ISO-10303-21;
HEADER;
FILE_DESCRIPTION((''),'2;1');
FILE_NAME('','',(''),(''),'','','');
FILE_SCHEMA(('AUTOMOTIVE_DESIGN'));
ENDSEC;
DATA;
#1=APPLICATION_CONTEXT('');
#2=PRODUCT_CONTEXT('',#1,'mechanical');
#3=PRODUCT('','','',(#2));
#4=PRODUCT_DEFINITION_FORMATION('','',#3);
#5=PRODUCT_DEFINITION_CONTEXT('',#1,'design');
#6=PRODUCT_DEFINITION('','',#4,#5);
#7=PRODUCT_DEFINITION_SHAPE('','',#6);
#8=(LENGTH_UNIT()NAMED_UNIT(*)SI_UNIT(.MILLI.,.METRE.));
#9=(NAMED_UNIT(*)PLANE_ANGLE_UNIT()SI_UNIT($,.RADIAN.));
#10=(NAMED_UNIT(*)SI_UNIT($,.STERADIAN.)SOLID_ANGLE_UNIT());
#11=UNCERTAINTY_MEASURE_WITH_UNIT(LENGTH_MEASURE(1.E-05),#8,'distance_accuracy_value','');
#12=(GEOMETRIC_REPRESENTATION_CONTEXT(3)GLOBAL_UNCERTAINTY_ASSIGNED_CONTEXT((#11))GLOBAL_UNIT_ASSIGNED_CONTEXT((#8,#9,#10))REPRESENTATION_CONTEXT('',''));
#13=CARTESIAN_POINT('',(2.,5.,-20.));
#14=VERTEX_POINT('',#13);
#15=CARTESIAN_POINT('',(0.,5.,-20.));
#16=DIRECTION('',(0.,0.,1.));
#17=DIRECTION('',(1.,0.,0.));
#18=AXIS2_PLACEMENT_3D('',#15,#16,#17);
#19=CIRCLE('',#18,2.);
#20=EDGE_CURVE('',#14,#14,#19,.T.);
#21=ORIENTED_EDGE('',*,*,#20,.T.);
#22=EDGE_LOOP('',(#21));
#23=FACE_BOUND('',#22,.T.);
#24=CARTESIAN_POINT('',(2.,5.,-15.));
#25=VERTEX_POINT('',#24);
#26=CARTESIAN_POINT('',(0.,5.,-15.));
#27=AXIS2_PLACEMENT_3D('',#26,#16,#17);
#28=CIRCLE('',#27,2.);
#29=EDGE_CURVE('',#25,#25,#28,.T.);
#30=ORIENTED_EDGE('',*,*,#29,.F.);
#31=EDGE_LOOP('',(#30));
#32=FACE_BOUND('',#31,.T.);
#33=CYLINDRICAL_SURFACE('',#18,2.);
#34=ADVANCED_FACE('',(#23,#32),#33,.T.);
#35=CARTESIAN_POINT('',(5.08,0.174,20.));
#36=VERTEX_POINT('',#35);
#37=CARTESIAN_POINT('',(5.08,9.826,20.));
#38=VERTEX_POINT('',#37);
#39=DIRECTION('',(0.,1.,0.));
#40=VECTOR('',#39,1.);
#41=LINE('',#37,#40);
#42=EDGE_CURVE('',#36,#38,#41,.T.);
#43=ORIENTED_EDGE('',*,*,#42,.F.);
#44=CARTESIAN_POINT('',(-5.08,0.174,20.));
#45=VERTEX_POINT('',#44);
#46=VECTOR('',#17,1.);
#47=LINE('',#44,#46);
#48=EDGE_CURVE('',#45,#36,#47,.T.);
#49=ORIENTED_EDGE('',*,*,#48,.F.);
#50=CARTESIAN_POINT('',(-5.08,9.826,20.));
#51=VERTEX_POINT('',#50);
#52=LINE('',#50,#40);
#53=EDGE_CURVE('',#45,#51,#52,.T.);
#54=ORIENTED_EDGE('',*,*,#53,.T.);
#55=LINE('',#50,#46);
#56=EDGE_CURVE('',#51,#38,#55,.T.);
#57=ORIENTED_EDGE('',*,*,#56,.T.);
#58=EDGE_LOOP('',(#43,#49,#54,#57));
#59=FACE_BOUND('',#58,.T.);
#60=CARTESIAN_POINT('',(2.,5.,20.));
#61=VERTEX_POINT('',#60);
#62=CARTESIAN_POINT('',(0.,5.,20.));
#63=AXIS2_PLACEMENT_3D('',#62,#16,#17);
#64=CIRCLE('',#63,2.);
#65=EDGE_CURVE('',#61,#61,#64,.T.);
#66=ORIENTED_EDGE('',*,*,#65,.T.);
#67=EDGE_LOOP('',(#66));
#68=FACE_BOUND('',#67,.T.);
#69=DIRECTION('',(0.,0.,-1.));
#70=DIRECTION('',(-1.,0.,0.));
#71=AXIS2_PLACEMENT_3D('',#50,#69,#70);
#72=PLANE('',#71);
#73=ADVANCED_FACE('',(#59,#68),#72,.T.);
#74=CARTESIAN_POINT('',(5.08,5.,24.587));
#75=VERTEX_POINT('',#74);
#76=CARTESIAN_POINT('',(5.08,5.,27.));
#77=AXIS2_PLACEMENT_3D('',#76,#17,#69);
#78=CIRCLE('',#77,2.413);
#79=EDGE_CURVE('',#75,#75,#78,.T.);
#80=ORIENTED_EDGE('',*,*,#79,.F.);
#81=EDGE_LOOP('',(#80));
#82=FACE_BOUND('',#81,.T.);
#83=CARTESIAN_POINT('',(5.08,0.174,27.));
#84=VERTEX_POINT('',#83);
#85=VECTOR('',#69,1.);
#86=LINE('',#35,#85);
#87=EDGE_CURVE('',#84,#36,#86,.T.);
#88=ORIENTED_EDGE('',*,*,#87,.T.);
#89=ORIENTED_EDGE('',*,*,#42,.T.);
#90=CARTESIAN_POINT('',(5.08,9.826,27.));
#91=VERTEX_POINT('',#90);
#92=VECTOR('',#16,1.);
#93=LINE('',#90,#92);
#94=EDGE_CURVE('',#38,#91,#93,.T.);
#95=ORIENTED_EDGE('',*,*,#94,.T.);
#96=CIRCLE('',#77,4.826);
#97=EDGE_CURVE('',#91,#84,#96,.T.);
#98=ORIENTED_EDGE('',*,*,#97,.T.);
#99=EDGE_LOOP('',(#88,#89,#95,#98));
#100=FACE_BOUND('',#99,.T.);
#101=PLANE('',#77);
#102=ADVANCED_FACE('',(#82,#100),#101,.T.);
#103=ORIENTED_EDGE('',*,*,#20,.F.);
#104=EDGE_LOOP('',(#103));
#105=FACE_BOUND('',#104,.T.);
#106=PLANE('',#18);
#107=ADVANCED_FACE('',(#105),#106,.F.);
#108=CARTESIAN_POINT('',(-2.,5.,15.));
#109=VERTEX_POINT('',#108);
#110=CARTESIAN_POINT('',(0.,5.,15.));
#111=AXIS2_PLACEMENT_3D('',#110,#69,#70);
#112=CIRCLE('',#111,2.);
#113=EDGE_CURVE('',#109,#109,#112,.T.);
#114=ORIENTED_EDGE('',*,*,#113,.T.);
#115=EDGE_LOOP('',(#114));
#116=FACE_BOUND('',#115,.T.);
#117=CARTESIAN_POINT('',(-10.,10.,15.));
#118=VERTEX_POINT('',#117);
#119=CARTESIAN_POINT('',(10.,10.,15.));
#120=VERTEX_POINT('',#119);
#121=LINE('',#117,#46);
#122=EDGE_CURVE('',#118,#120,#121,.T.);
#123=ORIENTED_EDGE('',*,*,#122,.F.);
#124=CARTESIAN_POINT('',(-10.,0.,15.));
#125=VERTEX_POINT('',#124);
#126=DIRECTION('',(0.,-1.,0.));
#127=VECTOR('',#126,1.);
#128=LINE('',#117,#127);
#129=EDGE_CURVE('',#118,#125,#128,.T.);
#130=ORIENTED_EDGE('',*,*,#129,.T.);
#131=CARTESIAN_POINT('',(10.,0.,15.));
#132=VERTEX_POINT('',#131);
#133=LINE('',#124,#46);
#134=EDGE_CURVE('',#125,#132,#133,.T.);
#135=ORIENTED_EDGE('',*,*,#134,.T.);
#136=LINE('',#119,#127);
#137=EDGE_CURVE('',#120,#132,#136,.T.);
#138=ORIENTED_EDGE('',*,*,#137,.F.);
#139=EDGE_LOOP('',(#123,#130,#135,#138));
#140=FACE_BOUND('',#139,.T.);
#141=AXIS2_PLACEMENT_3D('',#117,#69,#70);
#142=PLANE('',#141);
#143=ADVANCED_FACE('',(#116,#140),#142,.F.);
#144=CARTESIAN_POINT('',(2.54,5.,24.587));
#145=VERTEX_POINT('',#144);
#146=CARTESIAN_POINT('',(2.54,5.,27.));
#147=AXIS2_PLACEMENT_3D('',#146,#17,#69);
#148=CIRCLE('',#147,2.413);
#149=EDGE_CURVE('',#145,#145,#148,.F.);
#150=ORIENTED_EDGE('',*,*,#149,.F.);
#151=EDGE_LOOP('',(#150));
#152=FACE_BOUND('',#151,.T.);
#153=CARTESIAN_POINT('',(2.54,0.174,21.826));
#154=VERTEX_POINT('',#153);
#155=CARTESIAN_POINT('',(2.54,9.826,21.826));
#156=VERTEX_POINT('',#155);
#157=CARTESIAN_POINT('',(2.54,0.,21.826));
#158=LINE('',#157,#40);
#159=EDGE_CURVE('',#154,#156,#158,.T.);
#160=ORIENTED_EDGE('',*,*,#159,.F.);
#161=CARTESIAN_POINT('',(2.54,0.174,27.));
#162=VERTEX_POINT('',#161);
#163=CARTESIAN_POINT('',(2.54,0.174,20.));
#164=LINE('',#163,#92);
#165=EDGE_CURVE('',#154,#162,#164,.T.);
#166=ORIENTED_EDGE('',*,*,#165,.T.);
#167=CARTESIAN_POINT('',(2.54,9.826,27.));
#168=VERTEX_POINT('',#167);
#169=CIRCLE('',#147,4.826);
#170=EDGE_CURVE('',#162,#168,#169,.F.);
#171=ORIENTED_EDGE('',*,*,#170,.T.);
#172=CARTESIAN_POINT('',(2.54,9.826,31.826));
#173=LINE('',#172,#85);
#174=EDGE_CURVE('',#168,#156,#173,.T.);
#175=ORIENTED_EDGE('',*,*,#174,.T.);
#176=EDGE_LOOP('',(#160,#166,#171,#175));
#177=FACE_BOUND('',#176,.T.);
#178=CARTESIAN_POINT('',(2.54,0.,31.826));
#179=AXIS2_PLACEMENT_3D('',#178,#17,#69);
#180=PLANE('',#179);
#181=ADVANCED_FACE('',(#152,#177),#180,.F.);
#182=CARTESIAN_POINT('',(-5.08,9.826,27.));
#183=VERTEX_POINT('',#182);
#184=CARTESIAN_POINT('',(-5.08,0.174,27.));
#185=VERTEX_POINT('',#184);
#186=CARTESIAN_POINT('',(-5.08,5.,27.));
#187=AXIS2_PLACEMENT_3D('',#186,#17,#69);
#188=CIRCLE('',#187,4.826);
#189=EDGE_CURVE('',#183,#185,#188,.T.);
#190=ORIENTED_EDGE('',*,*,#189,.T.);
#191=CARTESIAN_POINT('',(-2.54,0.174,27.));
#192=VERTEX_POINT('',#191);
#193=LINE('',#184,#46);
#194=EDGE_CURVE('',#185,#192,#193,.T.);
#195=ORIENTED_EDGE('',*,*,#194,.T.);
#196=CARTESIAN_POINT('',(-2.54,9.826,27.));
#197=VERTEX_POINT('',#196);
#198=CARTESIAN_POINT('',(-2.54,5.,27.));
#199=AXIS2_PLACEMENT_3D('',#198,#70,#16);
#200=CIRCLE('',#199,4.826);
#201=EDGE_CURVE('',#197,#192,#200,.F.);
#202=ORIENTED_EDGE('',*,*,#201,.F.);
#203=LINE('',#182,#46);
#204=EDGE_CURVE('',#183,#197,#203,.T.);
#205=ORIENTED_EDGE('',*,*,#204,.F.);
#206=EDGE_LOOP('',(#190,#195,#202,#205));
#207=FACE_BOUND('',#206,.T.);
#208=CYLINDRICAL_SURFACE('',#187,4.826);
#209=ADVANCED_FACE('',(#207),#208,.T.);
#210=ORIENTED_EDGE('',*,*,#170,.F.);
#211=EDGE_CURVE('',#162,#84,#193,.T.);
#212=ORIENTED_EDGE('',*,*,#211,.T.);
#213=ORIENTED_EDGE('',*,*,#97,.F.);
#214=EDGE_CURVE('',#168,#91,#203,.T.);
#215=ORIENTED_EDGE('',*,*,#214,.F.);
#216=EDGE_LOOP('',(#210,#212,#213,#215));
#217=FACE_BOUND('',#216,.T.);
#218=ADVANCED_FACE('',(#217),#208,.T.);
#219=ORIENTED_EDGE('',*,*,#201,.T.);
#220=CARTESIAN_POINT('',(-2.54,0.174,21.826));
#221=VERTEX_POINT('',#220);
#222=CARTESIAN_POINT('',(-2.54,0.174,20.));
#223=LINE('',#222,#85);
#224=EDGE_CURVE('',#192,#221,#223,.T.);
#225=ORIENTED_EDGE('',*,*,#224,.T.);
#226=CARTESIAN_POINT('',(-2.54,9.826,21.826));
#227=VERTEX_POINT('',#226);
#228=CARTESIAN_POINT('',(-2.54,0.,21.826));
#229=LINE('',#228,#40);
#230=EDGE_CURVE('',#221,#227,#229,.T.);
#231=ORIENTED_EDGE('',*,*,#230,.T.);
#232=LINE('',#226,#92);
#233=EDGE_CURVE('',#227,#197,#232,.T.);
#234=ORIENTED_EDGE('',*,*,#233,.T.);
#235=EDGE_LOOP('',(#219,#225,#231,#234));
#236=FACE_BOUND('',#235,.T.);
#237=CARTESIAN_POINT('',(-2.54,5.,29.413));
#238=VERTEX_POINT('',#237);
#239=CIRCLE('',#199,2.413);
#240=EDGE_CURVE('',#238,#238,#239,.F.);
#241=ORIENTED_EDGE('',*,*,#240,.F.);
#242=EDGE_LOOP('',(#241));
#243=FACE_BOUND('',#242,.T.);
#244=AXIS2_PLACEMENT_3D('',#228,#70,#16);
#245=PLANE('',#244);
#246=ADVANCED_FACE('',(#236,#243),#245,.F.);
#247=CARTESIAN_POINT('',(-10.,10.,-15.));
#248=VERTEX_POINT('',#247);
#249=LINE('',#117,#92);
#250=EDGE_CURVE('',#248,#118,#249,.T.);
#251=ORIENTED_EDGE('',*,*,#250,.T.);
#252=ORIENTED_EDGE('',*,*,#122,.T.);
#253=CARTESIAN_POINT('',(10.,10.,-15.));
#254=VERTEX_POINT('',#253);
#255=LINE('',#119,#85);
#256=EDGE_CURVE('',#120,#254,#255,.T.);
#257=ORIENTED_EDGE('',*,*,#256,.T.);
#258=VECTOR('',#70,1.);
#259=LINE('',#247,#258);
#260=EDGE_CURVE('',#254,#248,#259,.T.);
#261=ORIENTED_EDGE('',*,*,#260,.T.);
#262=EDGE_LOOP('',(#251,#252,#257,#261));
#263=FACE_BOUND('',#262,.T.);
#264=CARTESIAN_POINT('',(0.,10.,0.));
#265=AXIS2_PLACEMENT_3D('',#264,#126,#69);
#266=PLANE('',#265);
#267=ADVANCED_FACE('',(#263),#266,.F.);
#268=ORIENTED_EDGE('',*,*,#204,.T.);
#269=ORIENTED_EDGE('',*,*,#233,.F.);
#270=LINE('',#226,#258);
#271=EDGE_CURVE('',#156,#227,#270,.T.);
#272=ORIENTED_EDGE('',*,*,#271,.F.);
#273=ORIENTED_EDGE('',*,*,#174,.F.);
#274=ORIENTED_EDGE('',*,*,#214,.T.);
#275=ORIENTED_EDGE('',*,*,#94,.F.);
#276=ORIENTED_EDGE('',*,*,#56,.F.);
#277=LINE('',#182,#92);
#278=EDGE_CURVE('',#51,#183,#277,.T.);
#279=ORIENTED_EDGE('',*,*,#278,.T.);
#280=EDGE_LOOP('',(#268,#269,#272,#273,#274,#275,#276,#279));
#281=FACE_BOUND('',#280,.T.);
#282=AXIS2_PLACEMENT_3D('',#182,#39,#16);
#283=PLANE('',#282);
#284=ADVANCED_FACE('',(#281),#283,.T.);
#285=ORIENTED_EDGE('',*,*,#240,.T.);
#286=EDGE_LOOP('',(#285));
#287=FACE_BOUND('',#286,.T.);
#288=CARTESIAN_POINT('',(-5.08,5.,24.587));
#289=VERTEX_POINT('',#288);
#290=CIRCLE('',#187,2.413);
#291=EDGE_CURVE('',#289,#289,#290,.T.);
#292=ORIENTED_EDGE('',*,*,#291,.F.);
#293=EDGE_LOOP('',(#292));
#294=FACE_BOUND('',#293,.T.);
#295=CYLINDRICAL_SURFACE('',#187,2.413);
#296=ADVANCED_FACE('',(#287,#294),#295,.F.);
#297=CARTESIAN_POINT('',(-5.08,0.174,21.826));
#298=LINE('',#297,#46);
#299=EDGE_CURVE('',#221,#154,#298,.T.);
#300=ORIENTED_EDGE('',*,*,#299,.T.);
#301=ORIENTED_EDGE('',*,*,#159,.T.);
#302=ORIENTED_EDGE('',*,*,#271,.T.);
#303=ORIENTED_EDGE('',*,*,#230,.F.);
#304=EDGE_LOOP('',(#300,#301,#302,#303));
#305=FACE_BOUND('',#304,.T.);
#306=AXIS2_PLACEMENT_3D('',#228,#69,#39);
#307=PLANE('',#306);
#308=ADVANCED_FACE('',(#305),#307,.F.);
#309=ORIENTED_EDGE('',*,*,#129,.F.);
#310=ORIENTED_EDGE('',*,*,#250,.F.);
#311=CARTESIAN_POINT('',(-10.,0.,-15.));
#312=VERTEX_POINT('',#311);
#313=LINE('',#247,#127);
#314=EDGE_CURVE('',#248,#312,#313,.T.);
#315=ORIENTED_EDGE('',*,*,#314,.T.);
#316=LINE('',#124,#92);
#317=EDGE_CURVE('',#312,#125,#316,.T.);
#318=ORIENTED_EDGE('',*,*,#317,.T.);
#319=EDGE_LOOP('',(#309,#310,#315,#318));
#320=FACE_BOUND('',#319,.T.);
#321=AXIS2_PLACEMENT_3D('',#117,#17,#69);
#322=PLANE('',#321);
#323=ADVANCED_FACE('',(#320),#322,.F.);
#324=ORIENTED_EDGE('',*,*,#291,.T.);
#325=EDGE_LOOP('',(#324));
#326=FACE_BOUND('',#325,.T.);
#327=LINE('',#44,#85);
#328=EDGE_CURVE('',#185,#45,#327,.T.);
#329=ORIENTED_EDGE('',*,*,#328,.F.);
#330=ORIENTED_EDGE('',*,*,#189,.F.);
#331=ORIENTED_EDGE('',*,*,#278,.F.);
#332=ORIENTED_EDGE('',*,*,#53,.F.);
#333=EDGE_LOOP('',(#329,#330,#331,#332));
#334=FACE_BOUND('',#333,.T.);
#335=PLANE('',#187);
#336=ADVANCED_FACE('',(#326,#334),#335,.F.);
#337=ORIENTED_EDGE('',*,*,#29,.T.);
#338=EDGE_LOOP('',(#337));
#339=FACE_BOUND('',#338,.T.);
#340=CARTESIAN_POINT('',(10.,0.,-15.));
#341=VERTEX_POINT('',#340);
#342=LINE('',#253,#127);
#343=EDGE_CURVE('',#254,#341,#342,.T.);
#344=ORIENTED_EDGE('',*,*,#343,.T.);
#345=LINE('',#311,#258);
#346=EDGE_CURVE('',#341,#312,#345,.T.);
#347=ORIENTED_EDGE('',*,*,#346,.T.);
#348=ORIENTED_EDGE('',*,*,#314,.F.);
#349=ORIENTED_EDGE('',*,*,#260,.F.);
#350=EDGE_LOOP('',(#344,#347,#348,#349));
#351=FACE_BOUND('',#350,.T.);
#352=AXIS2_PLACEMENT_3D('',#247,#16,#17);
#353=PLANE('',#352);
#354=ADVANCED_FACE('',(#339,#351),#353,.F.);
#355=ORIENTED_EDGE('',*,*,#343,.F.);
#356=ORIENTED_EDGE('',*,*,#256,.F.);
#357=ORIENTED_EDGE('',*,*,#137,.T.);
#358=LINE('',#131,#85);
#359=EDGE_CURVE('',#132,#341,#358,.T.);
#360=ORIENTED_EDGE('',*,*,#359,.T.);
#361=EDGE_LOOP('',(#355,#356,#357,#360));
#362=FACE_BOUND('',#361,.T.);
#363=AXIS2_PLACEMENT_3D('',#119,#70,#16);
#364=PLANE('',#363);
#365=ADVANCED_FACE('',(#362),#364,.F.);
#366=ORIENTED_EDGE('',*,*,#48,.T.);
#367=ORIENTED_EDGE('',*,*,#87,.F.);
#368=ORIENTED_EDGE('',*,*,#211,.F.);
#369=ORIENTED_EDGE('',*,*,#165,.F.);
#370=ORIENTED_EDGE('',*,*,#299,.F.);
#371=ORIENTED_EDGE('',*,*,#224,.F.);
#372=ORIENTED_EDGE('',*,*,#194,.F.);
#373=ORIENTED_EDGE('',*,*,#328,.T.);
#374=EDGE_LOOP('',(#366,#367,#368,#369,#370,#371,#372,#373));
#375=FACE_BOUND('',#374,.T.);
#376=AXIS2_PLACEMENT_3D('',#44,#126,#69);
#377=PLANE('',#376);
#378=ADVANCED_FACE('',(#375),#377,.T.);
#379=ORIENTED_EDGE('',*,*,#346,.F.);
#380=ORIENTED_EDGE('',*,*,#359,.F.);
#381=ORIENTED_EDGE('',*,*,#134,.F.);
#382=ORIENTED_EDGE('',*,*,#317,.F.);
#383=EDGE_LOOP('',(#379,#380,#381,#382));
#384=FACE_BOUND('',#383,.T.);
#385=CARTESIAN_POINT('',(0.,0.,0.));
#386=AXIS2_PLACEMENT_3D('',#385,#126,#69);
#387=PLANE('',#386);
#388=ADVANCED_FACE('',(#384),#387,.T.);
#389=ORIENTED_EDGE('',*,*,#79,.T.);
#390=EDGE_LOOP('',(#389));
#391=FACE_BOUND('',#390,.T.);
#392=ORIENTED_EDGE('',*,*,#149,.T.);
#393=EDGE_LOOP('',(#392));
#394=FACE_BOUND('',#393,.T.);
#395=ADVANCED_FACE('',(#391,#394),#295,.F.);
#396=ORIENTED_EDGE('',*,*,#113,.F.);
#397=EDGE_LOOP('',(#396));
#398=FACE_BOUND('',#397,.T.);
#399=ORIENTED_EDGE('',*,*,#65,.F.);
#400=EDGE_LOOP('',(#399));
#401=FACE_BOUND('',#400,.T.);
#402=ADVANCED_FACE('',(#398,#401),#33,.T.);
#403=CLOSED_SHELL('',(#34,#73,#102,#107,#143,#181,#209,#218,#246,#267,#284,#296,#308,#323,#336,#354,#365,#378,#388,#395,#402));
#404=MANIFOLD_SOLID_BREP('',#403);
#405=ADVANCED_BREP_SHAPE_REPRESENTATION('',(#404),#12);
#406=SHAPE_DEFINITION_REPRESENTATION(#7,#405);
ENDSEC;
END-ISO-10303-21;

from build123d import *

# Parameters (mm, degrees)
SKETCH1_W                = 20
SKETCH1_H                = 30
BOSS_EXTRUDE1_DEPTH      = 10
BOSS_EXTRUDE2_DEPTH      = 20
BOSS_EXTRUDE2_DEPTH_BACK = 20
SKETCH2_R                = 2
BOSS_EXTRUDE3_DEPTH      = 5.08
BOSS_EXTRUDE3_DEPTH_BACK = 5.08
SKETCH4_R                = 2.413
SKETCH5_W                = 5.08
SKETCH5_H                = 10
CUT_EXTRUDE1_DEPTH       = 35.777069342


with BuildPart() as part:
    # Sketch1 → Boss-Extrude1 (new body)
    with BuildSketch(Plane(origin=(0, 0, 0), x_dir=(1, 0, 0), z_dir=(0, 1, 0))):
        Rectangle(SKETCH1_W, SKETCH1_H)
    extrude(amount=BOSS_EXTRUDE1_DEPTH)

    # Sketch2 → Boss-Extrude2 (add, two sides: drawn at the far end of the back side and taken through both)
    with BuildSketch(Plane.XY.offset(-BOSS_EXTRUDE2_DEPTH_BACK)):
        with Locations((0, 5)):
            Circle(SKETCH2_R)
    extrude(amount=BOSS_EXTRUDE2_DEPTH + BOSS_EXTRUDE2_DEPTH_BACK)

    # Sketch4 → Boss-Extrude3 (add, two sides: drawn at the far end of the back side and taken through both)
    with BuildSketch(Plane(origin=(0, 0, 0), x_dir=(0, 0, -1), z_dir=(1, 0, 0)).offset(-BOSS_EXTRUDE3_DEPTH_BACK)):
        with BuildLine():
            Line((-27, 9.826), (-20, 9.826))
            Line((-20, 9.826), (-20, 0.174))
            Line((-20, 0.174), (-27, 0.174))
            ThreePointArc((-27, 0.174), (-31.826, 5), (-27, 9.826))
        make_face()
        with Locations((-27, 5)):
            Circle(SKETCH4_R, mode=Mode.SUBTRACT)
    extrude(amount=BOSS_EXTRUDE3_DEPTH + BOSS_EXTRUDE3_DEPTH_BACK)

    # Sketch5 → Cut-Extrude1 (cut, through all)
    with BuildSketch(Plane(origin=(0, 9.826, 0), x_dir=(1, 0, 0), z_dir=(0, 1, 0))):
        with Locations((0, -26.826)):
            Rectangle(SKETCH5_W, SKETCH5_H)
    extrude(amount=-CUT_EXTRUDE1_DEPTH, mode=Mode.SUBTRACT)


solid = part.part
